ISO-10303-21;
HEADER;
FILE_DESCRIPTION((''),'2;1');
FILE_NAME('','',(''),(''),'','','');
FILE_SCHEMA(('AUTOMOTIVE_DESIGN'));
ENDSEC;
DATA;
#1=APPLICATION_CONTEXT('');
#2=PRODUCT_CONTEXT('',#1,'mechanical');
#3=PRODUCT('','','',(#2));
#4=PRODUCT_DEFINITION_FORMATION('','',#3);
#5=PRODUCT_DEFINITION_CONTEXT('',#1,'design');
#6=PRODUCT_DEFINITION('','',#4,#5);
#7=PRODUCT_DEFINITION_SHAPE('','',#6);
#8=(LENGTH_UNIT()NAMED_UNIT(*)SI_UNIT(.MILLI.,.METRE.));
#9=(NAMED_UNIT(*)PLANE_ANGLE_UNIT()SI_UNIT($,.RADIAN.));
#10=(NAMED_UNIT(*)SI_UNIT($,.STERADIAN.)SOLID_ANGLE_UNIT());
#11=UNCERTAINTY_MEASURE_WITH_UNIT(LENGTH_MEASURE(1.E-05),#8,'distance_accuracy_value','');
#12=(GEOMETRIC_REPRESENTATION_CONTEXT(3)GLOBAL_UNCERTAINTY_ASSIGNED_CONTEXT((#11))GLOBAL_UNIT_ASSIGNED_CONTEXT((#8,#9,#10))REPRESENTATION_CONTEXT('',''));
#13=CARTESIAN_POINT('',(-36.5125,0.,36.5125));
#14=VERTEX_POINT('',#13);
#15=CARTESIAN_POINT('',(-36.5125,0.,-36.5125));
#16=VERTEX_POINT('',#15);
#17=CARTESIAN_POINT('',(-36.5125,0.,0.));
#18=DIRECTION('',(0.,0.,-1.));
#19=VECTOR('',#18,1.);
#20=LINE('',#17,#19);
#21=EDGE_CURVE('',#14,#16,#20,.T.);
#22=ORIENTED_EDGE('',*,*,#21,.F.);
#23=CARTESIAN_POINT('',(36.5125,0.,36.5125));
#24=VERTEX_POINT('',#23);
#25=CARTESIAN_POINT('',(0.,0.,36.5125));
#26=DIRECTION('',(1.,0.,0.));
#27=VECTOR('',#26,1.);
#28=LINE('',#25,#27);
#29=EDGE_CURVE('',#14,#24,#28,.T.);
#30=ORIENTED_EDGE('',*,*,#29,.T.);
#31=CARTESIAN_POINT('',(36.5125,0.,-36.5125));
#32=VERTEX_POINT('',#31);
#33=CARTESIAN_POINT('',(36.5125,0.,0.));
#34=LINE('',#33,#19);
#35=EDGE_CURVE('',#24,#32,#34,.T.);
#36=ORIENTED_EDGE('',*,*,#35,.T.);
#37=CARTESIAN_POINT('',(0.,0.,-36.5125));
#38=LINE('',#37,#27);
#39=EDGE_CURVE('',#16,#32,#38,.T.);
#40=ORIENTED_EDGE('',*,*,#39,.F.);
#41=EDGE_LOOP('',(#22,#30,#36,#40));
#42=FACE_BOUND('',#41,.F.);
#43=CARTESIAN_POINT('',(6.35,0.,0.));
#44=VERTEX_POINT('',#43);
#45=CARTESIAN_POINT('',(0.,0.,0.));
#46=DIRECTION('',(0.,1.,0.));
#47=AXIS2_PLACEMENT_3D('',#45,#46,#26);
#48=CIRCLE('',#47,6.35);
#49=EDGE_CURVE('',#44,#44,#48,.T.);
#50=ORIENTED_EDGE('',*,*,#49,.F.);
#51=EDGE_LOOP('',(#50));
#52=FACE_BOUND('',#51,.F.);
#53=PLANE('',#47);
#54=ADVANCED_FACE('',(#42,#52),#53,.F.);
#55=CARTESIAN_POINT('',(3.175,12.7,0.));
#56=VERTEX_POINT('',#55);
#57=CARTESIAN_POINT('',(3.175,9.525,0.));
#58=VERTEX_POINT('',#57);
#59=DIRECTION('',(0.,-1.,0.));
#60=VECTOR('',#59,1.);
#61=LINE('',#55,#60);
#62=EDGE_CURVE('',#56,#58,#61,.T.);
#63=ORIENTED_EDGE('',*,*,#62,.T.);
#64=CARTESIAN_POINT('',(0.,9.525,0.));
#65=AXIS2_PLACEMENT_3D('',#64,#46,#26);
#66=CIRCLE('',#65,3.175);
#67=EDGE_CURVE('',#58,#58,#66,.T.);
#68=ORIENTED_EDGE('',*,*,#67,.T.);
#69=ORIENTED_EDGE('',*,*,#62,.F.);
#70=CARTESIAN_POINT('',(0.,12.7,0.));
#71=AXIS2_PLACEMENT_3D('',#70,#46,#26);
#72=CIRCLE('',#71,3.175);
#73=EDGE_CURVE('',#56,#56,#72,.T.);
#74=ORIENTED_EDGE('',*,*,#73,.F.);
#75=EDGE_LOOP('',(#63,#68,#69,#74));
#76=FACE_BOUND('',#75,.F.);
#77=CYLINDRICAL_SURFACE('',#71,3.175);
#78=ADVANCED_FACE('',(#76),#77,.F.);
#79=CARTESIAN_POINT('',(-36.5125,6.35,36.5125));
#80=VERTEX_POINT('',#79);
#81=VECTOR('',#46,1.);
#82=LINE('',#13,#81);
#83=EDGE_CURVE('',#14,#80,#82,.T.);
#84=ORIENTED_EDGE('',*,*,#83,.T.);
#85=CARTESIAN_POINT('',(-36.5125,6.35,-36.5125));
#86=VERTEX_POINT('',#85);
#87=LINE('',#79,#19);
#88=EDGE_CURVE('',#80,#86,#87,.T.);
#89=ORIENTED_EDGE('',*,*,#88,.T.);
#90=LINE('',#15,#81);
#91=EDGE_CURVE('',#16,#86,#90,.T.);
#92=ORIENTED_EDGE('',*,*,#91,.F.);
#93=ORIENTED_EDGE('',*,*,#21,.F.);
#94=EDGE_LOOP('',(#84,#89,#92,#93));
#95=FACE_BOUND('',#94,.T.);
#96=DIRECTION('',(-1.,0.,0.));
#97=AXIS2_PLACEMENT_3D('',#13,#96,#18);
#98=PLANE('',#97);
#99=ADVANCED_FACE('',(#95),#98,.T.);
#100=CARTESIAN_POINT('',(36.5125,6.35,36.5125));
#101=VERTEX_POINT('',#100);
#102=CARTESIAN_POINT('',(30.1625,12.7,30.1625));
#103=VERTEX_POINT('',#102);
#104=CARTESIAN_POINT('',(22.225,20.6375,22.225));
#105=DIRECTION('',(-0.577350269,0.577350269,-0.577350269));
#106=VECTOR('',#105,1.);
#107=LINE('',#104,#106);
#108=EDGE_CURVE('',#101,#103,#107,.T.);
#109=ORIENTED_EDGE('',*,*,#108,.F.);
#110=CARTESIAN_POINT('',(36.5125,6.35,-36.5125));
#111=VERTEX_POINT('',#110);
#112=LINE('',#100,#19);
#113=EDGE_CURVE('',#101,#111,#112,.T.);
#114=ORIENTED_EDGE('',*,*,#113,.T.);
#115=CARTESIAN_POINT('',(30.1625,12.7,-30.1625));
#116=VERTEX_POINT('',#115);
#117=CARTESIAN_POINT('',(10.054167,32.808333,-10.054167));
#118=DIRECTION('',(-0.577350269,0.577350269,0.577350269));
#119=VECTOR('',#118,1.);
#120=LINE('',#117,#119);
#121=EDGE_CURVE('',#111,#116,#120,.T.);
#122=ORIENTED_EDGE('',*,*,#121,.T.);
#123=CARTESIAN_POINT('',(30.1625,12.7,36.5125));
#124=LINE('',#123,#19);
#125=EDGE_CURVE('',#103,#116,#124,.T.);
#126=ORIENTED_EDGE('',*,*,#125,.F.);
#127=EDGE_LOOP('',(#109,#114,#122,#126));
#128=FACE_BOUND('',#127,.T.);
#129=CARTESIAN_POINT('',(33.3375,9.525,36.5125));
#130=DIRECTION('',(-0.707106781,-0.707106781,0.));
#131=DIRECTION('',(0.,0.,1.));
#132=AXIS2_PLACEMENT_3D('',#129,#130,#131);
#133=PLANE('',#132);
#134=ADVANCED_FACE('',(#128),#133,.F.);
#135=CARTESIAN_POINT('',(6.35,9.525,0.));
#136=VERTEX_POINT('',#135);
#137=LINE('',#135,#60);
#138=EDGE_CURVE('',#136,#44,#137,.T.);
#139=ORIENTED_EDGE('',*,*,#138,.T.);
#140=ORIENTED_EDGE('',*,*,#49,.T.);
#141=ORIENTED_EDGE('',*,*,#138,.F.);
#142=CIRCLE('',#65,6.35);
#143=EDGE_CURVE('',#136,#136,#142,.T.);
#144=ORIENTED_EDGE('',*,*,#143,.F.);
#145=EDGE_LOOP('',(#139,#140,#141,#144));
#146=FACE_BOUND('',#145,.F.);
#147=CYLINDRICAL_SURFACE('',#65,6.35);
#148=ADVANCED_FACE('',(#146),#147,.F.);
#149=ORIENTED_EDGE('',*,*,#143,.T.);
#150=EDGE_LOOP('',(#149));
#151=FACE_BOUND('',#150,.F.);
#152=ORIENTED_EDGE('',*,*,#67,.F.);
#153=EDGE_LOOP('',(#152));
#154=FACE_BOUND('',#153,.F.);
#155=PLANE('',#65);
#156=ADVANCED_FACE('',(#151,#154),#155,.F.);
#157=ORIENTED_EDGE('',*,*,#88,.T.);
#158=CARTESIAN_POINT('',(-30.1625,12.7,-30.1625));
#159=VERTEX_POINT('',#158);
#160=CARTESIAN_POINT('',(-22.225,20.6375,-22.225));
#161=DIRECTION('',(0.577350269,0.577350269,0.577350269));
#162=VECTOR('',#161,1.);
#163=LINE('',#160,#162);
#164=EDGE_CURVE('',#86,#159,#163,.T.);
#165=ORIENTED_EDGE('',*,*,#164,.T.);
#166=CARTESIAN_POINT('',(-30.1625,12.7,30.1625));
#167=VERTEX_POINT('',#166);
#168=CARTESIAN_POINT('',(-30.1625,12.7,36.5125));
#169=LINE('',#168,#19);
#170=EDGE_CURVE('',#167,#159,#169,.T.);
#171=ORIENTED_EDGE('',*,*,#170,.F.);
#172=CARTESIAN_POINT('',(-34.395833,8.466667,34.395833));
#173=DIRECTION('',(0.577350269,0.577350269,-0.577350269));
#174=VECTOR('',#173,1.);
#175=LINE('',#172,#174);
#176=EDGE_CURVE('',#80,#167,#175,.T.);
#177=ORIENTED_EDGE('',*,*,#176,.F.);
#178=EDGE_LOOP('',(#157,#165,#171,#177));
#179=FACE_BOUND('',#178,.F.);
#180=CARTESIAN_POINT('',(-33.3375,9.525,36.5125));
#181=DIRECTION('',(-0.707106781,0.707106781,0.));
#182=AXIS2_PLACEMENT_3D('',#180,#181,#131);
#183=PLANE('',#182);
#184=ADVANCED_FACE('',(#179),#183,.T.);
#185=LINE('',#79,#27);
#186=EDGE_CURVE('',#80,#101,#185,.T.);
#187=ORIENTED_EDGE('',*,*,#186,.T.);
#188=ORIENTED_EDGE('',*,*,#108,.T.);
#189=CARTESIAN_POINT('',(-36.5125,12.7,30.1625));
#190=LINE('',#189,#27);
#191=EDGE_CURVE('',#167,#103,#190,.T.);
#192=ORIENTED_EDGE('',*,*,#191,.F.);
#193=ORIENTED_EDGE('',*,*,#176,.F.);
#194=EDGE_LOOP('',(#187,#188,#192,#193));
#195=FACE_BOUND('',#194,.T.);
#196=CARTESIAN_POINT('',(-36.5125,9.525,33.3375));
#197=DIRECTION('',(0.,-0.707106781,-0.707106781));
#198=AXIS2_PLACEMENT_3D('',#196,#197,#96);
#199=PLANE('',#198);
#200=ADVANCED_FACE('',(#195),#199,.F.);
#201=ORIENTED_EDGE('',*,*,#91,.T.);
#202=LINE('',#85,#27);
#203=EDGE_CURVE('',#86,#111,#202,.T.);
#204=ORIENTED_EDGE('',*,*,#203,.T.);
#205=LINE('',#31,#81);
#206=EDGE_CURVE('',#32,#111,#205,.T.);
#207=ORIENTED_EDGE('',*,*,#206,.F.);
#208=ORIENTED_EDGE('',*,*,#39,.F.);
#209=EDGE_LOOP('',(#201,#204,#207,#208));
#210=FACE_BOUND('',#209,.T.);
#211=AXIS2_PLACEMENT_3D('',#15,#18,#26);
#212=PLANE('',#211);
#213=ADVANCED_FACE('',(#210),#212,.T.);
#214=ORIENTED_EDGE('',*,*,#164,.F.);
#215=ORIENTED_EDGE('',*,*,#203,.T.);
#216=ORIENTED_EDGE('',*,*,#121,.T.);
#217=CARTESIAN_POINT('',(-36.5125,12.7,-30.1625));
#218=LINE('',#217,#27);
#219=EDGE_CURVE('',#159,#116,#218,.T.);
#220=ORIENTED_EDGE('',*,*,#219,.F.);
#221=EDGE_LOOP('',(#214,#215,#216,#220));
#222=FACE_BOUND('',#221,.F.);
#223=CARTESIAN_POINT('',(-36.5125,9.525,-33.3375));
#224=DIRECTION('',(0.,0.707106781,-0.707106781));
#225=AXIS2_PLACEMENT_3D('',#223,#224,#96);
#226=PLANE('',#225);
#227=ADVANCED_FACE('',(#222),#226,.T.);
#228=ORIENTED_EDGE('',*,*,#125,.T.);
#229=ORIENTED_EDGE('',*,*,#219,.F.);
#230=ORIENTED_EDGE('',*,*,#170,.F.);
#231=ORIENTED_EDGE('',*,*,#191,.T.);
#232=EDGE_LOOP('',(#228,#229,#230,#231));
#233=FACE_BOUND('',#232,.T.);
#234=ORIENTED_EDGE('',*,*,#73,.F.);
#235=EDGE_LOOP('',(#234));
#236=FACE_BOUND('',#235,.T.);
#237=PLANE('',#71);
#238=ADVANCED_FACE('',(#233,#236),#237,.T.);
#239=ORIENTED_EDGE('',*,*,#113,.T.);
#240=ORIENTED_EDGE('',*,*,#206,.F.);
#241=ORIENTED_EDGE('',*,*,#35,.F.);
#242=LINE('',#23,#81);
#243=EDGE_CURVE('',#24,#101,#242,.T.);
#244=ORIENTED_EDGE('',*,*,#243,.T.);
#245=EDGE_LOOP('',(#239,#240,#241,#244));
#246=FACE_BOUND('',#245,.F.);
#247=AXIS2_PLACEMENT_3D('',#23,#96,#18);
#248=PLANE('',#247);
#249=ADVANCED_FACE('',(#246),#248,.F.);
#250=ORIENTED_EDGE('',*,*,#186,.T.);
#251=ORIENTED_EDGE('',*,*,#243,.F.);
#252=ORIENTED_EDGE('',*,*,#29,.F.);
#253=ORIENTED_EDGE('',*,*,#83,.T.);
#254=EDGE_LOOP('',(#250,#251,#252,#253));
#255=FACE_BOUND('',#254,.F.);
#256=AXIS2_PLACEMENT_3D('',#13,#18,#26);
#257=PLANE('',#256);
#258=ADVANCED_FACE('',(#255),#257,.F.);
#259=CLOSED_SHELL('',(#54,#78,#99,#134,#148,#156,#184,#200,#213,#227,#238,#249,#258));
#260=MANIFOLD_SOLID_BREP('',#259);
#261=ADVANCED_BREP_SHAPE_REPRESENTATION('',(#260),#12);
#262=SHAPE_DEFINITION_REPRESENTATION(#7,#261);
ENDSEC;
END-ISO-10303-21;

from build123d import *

# Parameters (mm, degrees)
SKETCH1_W           = 73.025
SKETCH1_H           = 73.025
BOSS_EXTRUDE1_DEPTH = 12.7
CHAMFER1_SIZE       = 6.35
SKETCH4_R           = 3.175
CUT_EXTRUDE1_DEPTH  = 3.175
CUT_EXTRUDE2_REACH  = 11.525
SKETCH5_R           = 6.35


with BuildPart() as part:
    # Sketch1 → Boss-Extrude1 (new body)
    with BuildSketch(Plane(origin=(0, 0, 0), x_dir=(1, 0, 0), z_dir=(0, 1, 0))):
        Rectangle(SKETCH1_W, SKETCH1_H)
    extrude(amount=BOSS_EXTRUDE1_DEPTH)

    # Chamfer1
    chamfer1_edges = [part.edges().sort_by_distance(p)[0] for p in [
        (-36.5125, 12.7, 0),
        (0, 12.7, 36.5125),
        (36.5125, 12.7, 0),
        (0, 12.7, -36.5125),
    ]]
    chamfer(chamfer1_edges, length=CHAMFER1_SIZE)

    # Sketch4 → Cut-Extrude1 (cut)
    with BuildSketch(Plane(origin=(0, 12.7, 0), x_dir=(1, 0, 0), z_dir=(0, 1, 0))):
        Circle(SKETCH4_R)
    extrude(amount=-CUT_EXTRUDE1_DEPTH, mode=Mode.SUBTRACT)

    # Sketch5 → Cut-Extrude2 (cut, up to next)
    with BuildSketch(Plane(origin=(0, 9.525, 0), x_dir=(1, 0, 0), z_dir=(0, 1, 0)), mode=Mode.PRIVATE) as cut_extrude2_sk1:
        Circle(SKETCH5_R)
    cut_extrude2_tool1 = extrude(cut_extrude2_sk1.sketch, amount=-CUT_EXTRUDE2_REACH, mode=Mode.PRIVATE) & part.part
    add(cut_extrude2_tool1.solids().sort_by_distance((0, 9.525, 0))[0], mode=Mode.SUBTRACT)


solid = part.part
